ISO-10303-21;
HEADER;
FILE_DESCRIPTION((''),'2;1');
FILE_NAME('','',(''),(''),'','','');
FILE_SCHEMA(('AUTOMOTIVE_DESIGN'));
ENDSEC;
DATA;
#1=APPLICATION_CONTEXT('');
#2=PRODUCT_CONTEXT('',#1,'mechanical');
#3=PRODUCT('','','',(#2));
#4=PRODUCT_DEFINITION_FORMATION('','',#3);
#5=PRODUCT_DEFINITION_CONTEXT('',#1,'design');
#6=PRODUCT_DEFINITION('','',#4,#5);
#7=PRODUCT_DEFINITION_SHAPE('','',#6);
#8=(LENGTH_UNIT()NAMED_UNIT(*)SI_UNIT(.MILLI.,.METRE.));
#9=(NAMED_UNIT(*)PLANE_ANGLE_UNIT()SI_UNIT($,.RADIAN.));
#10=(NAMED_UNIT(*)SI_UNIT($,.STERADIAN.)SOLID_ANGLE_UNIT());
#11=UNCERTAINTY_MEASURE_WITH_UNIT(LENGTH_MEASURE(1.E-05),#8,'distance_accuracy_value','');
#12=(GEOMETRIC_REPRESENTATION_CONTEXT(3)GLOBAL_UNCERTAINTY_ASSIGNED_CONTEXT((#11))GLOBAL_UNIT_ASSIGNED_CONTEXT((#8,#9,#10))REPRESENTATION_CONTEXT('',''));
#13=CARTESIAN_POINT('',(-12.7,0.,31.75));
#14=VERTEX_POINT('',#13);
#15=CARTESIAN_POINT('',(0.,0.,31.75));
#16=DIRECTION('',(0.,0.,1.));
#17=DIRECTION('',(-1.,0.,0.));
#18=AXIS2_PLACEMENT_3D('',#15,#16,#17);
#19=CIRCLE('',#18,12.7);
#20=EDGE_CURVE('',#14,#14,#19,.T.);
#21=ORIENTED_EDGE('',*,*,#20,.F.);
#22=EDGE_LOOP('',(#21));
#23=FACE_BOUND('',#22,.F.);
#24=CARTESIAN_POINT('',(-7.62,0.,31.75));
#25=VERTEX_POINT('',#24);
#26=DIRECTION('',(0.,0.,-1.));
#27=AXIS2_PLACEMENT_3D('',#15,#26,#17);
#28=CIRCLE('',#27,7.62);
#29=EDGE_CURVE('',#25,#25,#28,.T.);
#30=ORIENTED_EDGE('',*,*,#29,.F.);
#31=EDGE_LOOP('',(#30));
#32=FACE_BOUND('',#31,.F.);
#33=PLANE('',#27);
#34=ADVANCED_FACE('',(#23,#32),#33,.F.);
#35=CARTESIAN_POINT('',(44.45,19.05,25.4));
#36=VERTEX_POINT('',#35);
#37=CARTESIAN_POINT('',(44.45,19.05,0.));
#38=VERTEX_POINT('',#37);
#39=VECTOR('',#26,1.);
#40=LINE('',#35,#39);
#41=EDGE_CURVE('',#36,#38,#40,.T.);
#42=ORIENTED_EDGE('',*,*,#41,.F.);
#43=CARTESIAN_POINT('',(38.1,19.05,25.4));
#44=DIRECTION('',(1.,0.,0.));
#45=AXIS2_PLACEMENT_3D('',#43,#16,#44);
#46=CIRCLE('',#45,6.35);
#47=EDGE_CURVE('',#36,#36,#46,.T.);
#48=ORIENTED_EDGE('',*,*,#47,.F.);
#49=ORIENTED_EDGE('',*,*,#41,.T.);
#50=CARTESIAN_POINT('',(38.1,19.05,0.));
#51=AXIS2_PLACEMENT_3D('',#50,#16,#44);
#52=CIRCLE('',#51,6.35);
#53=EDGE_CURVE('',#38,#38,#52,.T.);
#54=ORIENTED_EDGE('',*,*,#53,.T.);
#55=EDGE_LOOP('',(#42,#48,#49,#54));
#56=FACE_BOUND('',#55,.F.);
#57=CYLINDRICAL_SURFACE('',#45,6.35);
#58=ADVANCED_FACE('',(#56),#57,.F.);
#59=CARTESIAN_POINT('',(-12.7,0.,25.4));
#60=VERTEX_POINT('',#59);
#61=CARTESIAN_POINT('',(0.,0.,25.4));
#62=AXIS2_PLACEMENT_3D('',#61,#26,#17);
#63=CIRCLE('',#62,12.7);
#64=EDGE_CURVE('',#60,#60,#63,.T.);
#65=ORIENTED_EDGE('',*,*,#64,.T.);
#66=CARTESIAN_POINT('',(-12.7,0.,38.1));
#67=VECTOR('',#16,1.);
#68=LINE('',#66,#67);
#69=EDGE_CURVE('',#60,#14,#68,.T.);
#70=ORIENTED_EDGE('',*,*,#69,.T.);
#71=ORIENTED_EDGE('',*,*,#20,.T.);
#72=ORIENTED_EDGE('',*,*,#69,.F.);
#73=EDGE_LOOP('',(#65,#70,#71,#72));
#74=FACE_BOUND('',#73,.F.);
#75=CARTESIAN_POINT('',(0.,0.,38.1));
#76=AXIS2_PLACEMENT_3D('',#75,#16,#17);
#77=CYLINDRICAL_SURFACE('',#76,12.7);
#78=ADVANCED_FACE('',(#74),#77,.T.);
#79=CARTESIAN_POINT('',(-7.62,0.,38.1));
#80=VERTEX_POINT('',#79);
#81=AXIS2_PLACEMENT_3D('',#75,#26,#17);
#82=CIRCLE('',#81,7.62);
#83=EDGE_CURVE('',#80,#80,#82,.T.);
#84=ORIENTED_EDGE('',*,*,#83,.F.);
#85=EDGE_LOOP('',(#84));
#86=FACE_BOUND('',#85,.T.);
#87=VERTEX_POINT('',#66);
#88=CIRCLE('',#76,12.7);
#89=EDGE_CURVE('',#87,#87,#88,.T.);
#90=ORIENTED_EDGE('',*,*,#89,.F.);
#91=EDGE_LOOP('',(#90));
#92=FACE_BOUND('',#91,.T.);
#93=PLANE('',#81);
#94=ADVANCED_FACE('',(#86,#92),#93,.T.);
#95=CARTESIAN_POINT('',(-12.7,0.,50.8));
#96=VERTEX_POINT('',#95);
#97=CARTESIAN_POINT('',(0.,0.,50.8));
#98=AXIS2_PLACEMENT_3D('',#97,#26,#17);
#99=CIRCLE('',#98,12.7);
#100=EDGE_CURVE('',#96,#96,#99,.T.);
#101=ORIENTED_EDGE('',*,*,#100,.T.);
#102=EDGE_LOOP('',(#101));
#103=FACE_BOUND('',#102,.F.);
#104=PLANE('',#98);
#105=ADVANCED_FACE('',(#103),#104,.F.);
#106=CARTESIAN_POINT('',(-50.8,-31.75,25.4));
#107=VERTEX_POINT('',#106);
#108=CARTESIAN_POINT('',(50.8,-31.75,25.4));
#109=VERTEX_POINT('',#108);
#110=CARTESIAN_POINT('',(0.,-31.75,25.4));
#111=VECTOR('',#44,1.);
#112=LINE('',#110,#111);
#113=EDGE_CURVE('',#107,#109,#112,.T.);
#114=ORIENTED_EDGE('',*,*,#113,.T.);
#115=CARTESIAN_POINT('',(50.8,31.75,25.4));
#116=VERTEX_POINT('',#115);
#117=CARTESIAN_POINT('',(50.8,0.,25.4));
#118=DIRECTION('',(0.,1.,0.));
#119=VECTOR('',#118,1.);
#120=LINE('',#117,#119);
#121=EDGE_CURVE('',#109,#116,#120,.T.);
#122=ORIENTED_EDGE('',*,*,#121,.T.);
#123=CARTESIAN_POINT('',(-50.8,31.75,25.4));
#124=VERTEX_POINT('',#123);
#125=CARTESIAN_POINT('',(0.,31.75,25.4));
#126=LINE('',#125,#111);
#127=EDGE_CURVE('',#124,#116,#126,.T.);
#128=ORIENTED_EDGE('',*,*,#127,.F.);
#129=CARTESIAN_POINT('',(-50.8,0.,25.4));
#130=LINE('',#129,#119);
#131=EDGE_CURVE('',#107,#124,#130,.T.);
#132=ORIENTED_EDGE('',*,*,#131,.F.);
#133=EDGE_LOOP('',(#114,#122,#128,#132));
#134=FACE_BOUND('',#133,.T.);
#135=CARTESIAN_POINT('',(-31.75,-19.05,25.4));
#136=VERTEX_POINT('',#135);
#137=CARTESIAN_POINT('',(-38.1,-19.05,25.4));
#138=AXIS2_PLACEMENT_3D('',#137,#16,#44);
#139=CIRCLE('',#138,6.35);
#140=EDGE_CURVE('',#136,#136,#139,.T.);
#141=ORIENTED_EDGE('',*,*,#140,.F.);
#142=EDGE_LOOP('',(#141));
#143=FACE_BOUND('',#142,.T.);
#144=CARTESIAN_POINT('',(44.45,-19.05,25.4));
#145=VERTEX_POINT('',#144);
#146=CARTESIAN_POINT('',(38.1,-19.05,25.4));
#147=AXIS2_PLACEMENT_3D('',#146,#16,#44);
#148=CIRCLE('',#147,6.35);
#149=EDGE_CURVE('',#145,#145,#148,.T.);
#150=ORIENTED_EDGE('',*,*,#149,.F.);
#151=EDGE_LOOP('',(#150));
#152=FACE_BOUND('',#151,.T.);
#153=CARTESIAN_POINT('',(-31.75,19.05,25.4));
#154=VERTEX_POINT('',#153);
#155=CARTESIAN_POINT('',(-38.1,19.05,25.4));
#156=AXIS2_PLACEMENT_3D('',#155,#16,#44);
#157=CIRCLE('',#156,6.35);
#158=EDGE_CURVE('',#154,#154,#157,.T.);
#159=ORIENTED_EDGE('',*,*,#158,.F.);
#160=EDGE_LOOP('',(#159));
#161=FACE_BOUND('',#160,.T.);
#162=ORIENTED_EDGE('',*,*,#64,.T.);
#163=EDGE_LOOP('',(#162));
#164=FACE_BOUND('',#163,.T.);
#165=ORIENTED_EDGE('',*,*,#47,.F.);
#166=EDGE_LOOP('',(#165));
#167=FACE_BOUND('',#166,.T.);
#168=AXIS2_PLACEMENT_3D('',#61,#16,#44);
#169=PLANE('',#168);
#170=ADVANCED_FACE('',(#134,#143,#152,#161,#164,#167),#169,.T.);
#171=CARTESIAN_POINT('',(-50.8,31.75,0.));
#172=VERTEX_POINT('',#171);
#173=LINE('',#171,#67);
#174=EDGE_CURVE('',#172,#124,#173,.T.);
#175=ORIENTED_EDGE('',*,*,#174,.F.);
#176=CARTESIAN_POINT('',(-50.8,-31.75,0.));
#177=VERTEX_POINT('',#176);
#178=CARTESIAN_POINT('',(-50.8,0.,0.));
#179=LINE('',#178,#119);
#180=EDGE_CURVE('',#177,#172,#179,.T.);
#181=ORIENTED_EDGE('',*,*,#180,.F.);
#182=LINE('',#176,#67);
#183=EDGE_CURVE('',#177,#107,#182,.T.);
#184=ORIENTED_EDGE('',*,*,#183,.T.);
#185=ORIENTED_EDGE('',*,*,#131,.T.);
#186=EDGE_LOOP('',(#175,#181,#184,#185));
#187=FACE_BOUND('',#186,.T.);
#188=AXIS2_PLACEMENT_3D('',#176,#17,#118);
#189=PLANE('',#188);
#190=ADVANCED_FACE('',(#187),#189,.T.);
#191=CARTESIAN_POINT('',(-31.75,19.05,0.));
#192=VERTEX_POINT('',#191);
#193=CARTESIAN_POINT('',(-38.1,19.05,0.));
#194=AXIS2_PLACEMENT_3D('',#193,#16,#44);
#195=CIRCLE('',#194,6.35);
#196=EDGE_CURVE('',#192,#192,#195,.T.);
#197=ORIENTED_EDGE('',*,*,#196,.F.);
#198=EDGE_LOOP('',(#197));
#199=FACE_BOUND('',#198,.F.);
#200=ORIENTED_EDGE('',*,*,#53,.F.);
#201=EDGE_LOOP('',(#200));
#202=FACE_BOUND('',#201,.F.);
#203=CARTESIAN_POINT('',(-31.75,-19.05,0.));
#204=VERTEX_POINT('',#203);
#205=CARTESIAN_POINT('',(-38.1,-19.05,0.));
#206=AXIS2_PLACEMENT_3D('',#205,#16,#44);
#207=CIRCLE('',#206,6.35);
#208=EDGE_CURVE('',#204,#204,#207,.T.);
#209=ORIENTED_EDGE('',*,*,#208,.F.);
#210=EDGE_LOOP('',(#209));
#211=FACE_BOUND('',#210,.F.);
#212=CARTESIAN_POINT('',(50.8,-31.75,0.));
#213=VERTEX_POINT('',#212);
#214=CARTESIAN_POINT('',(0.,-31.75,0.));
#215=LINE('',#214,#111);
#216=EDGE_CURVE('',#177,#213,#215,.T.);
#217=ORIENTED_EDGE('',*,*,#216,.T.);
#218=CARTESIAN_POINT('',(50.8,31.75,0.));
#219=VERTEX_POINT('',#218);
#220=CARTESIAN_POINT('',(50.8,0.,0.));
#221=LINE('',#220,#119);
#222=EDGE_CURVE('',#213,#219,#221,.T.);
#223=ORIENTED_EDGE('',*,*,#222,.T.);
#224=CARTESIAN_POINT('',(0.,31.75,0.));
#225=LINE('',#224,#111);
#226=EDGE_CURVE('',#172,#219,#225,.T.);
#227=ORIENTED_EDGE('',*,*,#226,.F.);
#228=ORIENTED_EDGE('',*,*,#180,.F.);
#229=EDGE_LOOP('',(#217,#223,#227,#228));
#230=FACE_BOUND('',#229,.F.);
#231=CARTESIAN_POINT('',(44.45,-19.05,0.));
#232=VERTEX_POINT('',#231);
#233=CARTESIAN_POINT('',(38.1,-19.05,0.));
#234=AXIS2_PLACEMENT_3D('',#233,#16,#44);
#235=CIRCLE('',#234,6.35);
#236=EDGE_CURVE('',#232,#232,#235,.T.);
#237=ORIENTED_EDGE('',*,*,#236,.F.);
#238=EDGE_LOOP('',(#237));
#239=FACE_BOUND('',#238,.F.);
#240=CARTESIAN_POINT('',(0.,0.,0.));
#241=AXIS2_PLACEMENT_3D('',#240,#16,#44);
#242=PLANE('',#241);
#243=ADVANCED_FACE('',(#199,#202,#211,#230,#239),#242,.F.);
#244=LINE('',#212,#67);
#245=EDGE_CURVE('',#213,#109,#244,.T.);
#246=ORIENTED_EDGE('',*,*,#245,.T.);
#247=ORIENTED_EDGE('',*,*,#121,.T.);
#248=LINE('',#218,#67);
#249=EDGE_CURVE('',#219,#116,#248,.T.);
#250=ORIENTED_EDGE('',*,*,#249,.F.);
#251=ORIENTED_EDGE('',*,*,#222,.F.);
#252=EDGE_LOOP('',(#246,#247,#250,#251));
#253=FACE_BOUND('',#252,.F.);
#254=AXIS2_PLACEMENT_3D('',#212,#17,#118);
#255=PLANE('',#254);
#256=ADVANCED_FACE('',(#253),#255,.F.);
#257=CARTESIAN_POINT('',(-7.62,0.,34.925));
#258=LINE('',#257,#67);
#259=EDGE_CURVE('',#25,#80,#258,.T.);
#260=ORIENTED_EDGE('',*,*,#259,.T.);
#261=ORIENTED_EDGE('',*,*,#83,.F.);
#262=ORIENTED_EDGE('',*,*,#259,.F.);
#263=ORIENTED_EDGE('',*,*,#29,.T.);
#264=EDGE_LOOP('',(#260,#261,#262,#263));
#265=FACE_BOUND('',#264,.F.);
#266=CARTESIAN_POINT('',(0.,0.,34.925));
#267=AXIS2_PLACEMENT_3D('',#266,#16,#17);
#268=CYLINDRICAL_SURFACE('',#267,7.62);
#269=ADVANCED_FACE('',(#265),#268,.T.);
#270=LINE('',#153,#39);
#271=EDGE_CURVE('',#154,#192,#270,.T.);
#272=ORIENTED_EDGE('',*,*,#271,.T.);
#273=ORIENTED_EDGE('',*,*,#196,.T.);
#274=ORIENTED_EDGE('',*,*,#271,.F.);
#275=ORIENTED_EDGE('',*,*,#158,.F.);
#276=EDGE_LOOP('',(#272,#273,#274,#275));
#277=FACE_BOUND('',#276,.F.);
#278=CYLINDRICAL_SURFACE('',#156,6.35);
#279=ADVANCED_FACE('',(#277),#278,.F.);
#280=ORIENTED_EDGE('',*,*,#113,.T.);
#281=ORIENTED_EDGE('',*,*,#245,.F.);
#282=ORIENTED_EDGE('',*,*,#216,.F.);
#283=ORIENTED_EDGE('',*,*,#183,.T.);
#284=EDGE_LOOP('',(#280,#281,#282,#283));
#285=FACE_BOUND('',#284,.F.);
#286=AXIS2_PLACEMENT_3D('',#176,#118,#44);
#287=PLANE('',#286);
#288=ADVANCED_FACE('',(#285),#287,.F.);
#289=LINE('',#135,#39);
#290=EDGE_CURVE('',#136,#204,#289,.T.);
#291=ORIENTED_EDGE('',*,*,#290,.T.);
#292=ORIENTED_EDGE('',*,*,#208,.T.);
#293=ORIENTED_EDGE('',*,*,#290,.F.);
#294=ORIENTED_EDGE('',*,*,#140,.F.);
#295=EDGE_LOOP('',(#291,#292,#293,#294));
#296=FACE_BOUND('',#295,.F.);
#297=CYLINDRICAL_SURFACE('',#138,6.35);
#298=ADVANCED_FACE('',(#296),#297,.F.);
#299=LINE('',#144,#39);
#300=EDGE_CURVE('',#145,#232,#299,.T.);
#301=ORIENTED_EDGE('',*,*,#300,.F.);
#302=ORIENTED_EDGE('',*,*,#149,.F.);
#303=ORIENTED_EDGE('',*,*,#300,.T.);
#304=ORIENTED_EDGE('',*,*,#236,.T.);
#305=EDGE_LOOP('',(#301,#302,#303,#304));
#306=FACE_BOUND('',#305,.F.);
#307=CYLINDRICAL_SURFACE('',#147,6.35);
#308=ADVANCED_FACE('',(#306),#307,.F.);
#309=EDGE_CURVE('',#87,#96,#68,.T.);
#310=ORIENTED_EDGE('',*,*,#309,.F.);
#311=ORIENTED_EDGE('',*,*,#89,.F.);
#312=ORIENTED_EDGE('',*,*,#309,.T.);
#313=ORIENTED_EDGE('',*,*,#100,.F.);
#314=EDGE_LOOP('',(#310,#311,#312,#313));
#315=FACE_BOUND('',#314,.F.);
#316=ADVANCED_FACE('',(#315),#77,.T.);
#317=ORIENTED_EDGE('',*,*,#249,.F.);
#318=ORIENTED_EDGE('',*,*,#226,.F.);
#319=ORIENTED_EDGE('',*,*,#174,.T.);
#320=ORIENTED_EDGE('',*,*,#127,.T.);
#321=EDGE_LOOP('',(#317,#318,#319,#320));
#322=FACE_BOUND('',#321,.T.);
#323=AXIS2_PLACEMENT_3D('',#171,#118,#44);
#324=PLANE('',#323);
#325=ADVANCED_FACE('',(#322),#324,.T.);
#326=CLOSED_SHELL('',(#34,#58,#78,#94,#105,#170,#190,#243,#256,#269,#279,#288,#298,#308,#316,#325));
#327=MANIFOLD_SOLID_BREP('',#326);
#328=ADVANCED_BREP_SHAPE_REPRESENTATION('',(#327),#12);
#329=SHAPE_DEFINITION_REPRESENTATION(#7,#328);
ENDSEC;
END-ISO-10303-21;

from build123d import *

# Parameters (mm, degrees)
F0_W     = 101.6
F0_H     = 63.5
F1_DEPTH = 25.4
F2_R     = 6.35
F3_DEPTH = 25.401
F4_W     = 12.7
F4_H     = 25.4
F6_W     = 26.579734
F6_H     = 6.35


with BuildPart() as f1:
    # F0 (on Top) → F1 (new body)
    with BuildSketch(Plane.XY):
        Rectangle(F0_W, F0_H)
    extrude(amount=F1_DEPTH)

    # F2 (on face) → F3 (cut, through all)
    with BuildSketch(Plane.XY.offset(25.4)):
        with Locations((38.1, 19.05)):
            Circle(F2_R)
        with Locations((-38.1, -19.05)):
            Circle(F2_R)
        with Locations((38.1, -19.05)):
            Circle(F2_R)
        with Locations((-38.1, 19.05)):
            Circle(F2_R)
    extrude(amount=-F3_DEPTH, mode=Mode.SUBTRACT)

    # F4 (on Front) → F5 (revolve)
    with BuildSketch(Plane.XZ):
        with Locations((-6.35, 38.1)):
            Rectangle(F4_W, F4_H)
    revolve(axis=Axis((0, 0, 38.1), (0, 0, -1)))

    # F6 (on Front) → F7 (revolve, cut)
    with BuildSketch(Plane.XZ):
        with Locations((-20.909867, 34.925)):
            Rectangle(F6_W, F6_H)
    revolve(axis=Axis((0, 0, 50.8), (0, 0, -1)), mode=Mode.SUBTRACT)


solid = f1.part
